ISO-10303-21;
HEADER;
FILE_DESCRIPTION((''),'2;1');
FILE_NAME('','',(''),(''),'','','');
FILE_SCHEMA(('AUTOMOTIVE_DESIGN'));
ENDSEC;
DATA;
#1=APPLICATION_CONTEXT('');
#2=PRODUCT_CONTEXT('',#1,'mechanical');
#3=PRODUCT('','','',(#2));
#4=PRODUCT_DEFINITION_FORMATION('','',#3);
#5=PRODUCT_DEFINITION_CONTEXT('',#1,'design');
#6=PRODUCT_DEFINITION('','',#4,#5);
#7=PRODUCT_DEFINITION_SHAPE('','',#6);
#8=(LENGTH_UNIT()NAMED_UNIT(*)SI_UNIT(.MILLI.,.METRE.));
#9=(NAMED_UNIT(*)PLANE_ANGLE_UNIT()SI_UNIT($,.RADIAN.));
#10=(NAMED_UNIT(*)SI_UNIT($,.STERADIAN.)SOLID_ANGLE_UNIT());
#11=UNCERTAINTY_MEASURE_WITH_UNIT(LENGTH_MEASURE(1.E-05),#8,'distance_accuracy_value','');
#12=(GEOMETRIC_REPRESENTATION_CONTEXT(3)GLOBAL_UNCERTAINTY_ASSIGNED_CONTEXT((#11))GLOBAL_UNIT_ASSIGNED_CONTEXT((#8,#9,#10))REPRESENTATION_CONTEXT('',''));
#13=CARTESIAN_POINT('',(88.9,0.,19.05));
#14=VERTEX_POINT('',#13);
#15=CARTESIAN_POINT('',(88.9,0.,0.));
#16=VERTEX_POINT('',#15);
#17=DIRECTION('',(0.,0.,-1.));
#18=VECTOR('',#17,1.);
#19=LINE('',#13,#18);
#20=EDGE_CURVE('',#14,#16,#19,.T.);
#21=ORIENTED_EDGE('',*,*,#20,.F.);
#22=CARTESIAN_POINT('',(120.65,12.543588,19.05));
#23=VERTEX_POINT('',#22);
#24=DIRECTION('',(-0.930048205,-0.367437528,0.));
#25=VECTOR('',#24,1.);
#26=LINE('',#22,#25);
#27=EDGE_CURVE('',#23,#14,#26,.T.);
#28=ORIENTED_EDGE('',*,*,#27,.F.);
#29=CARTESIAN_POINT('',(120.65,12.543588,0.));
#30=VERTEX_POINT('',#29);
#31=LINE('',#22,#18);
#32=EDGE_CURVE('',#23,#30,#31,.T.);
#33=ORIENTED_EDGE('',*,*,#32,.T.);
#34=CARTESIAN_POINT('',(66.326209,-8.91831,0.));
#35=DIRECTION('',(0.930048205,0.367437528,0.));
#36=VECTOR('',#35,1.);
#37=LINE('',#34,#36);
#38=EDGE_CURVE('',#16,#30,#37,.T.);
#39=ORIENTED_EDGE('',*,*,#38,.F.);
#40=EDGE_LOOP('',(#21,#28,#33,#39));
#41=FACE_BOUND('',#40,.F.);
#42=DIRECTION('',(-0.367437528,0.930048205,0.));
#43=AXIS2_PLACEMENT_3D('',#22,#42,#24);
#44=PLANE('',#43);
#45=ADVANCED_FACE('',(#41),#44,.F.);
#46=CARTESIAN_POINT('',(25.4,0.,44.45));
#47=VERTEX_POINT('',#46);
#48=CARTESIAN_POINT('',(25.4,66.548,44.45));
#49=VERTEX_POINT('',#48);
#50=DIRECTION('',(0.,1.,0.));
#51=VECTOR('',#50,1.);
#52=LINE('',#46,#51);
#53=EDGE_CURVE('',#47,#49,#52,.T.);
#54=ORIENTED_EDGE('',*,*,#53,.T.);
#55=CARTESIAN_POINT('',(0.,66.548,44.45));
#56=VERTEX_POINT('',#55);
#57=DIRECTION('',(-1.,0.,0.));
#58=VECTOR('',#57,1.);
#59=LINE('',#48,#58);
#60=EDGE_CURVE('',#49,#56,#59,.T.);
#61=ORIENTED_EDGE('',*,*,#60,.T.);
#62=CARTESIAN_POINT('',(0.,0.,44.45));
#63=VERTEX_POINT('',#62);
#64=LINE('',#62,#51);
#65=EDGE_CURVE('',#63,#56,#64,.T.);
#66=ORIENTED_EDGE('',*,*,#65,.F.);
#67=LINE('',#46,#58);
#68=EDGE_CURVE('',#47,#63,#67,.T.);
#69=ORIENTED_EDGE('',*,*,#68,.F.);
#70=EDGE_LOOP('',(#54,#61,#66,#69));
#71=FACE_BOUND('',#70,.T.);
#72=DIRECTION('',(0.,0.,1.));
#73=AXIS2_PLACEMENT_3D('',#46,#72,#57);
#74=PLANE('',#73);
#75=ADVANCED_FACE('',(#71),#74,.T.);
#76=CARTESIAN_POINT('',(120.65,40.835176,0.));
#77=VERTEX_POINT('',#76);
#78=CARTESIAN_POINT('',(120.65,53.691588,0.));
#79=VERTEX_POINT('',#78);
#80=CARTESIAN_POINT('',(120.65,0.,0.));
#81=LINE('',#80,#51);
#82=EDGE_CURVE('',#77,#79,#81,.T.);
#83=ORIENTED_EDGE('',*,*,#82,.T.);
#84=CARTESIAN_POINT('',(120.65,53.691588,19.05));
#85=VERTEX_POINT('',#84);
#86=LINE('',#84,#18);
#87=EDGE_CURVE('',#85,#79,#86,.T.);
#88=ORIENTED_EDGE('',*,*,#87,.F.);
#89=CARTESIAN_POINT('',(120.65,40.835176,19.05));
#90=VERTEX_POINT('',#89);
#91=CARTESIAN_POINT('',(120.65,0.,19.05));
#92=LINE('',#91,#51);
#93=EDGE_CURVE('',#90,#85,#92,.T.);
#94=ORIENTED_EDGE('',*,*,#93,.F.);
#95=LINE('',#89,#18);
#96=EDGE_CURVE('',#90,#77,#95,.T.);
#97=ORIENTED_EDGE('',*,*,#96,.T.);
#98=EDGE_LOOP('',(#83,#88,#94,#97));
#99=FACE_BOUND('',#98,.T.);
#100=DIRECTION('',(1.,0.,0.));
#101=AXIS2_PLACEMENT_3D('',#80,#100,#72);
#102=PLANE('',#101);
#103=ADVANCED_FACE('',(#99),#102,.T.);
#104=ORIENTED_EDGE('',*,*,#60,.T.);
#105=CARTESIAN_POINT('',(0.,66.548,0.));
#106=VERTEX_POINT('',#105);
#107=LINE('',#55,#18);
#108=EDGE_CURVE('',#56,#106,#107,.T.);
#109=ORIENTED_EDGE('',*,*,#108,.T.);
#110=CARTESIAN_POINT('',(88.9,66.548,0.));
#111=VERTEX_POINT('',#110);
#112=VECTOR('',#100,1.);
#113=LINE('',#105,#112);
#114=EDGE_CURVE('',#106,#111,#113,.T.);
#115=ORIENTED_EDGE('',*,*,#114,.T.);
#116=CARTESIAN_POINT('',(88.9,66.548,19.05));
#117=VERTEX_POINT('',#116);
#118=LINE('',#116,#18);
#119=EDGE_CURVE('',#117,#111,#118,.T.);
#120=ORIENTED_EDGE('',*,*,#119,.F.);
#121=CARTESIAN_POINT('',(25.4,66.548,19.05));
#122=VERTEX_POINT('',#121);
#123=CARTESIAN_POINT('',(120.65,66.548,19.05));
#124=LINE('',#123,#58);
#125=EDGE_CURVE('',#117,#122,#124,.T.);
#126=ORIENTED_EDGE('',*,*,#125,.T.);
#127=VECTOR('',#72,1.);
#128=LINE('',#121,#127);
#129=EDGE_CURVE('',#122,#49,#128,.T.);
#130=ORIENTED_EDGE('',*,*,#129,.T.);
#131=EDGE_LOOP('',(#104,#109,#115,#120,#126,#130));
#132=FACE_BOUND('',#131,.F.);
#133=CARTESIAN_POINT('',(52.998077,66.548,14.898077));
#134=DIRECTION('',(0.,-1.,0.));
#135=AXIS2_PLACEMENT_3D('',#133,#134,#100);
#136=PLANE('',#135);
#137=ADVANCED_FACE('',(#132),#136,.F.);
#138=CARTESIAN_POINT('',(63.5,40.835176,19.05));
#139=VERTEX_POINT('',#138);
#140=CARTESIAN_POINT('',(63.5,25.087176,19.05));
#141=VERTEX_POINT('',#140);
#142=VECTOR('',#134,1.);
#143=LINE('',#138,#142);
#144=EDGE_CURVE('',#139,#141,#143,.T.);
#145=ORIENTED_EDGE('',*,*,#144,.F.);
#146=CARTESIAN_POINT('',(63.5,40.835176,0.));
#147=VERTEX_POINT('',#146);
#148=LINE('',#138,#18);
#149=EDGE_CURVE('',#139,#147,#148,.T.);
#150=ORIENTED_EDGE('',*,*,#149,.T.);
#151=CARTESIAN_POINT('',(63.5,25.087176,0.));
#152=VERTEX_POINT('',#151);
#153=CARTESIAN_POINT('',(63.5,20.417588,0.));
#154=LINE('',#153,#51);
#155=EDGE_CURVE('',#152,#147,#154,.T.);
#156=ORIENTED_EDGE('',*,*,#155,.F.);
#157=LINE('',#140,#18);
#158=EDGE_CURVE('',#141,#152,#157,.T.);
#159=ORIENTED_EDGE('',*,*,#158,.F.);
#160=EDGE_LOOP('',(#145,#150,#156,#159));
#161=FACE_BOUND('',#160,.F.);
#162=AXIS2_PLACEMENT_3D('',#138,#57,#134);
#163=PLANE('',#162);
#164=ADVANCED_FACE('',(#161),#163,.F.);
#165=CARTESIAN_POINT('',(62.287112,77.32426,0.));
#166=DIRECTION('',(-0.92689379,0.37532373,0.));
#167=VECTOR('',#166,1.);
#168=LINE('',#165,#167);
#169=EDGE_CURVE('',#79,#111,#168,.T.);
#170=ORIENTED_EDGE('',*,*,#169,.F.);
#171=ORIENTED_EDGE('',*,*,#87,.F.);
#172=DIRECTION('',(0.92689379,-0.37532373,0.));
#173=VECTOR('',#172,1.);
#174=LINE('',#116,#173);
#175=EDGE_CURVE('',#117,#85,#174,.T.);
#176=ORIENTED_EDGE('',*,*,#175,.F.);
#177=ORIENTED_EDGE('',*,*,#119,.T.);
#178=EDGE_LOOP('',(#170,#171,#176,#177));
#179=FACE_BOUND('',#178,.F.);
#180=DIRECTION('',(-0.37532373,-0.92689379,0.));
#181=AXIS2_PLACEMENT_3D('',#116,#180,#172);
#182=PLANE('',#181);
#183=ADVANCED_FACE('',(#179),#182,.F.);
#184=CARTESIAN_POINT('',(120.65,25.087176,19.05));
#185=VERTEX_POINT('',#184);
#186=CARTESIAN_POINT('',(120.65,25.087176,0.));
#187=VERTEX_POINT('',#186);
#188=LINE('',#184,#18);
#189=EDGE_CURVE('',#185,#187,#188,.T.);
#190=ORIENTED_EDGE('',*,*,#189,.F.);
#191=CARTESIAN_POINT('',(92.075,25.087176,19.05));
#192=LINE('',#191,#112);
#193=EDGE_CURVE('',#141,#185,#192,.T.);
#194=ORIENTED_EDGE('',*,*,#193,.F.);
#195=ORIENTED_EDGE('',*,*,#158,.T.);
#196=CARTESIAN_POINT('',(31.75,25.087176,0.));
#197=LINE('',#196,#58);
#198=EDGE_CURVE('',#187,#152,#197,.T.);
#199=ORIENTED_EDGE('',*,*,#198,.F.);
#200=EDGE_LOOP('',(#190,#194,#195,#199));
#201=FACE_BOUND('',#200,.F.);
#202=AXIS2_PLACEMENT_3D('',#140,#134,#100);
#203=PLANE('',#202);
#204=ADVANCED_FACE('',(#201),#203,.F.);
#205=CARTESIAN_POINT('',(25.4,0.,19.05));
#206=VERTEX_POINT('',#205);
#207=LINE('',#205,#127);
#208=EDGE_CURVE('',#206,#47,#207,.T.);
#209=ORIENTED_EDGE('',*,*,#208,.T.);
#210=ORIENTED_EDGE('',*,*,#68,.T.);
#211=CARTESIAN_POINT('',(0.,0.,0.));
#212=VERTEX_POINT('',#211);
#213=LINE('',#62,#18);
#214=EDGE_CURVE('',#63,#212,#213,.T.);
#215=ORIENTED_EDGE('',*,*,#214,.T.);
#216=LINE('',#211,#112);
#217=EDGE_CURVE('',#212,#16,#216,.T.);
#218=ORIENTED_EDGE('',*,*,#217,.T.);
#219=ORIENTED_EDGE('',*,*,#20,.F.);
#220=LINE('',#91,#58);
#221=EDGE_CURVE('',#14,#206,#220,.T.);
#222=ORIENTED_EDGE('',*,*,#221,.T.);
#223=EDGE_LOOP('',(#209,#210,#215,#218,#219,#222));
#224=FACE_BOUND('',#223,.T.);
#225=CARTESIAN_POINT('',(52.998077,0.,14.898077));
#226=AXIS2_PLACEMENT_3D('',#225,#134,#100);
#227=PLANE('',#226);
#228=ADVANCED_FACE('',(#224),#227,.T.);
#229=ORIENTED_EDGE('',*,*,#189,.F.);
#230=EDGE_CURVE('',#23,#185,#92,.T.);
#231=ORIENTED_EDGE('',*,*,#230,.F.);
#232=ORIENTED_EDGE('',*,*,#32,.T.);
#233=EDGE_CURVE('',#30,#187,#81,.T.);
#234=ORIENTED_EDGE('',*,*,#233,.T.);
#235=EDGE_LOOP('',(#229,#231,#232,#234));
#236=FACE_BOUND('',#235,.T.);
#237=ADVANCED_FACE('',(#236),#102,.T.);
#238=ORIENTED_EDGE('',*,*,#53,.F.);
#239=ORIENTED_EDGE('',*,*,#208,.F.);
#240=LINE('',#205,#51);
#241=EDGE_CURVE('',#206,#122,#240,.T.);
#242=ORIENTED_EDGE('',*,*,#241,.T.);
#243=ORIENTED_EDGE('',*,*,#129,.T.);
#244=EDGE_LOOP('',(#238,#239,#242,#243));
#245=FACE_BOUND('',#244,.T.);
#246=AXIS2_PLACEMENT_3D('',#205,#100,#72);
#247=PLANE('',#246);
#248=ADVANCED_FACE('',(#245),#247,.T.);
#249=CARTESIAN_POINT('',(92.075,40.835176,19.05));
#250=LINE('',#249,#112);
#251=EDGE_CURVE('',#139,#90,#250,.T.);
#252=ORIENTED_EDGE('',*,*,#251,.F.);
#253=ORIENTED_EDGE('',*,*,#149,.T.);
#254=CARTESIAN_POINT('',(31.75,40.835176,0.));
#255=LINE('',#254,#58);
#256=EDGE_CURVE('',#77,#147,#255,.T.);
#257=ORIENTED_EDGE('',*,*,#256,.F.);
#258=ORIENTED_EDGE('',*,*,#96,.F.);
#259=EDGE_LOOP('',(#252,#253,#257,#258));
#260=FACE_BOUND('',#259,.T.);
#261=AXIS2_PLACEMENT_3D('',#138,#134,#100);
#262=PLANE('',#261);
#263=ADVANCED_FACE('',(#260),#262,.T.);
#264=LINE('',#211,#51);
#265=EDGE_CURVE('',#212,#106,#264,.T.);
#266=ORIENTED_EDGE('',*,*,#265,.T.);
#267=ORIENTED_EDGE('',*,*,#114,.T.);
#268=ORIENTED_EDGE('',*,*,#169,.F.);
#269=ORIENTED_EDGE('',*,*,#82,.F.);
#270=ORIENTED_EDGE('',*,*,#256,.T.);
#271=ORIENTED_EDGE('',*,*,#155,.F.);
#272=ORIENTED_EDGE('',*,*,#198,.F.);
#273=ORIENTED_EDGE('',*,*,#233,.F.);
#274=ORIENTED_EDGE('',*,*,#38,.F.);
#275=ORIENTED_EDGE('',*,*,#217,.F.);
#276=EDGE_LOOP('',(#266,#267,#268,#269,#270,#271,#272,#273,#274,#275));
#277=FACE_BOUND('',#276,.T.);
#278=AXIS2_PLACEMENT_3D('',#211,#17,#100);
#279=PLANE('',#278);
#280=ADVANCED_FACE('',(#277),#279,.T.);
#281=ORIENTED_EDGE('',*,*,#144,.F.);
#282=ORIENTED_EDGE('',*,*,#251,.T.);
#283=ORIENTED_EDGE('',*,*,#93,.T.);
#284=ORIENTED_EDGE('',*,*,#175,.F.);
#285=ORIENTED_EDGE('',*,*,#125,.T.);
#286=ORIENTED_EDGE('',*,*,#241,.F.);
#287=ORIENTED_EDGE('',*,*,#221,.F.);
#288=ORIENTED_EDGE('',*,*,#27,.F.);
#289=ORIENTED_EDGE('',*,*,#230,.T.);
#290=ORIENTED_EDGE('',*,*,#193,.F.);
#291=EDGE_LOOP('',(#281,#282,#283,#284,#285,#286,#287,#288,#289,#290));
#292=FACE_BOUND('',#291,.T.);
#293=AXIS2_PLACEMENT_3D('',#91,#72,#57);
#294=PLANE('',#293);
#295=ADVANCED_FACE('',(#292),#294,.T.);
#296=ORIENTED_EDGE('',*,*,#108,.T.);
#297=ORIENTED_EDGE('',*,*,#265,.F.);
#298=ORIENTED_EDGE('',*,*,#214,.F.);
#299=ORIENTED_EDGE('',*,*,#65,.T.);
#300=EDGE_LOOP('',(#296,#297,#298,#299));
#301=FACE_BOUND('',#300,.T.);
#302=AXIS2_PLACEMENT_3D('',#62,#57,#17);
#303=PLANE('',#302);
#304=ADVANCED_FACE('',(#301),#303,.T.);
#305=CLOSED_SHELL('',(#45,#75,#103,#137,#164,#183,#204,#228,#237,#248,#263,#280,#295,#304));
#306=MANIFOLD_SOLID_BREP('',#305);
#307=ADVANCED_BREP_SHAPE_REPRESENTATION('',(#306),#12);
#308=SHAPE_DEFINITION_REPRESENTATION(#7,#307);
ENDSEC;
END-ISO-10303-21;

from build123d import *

# Parameters (mm, degrees)
F1_DEPTH = 66.548
F2_W     = 57.15
F2_H     = 8.186824
F2_H_2   = 7.561176
F3_DEPTH = 19.051
F5_DEPTH = 19.051


with BuildPart() as f1:
    # F0 (on Front) → F1 (new body)
    with BuildSketch(Plane.XZ):
        Polygon((0, 44.45), (0, 0), (120.65, 0), (120.65, 19.05), (25.4, 19.05), (25.4, 44.45), align=None)
    extrude(amount=-F1_DEPTH)

    # F2 (on face) → F3 (cut, through all)
    with BuildSketch(Plane.XY.offset(19.05)):
        with Locations((92.075, 29.180588)):
            Rectangle(F2_W, F2_H)
        with Locations((92.075, 37.054588)):
            Rectangle(F2_W, F2_H_2)
    extrude(amount=-F3_DEPTH, mode=Mode.SUBTRACT)

    # F4 (on face) → F5 (cut, through all)
    with BuildSketch(Plane.XY.offset(19.05)):
        Polygon((88.9, 0), (120.65, 0), (120.65, 12.543588), align=None)
        Polygon((120.65, 53.691588), (120.65, 66.548), (88.9, 66.548), align=None)
    extrude(amount=-F5_DEPTH, mode=Mode.SUBTRACT)


solid = f1.part
